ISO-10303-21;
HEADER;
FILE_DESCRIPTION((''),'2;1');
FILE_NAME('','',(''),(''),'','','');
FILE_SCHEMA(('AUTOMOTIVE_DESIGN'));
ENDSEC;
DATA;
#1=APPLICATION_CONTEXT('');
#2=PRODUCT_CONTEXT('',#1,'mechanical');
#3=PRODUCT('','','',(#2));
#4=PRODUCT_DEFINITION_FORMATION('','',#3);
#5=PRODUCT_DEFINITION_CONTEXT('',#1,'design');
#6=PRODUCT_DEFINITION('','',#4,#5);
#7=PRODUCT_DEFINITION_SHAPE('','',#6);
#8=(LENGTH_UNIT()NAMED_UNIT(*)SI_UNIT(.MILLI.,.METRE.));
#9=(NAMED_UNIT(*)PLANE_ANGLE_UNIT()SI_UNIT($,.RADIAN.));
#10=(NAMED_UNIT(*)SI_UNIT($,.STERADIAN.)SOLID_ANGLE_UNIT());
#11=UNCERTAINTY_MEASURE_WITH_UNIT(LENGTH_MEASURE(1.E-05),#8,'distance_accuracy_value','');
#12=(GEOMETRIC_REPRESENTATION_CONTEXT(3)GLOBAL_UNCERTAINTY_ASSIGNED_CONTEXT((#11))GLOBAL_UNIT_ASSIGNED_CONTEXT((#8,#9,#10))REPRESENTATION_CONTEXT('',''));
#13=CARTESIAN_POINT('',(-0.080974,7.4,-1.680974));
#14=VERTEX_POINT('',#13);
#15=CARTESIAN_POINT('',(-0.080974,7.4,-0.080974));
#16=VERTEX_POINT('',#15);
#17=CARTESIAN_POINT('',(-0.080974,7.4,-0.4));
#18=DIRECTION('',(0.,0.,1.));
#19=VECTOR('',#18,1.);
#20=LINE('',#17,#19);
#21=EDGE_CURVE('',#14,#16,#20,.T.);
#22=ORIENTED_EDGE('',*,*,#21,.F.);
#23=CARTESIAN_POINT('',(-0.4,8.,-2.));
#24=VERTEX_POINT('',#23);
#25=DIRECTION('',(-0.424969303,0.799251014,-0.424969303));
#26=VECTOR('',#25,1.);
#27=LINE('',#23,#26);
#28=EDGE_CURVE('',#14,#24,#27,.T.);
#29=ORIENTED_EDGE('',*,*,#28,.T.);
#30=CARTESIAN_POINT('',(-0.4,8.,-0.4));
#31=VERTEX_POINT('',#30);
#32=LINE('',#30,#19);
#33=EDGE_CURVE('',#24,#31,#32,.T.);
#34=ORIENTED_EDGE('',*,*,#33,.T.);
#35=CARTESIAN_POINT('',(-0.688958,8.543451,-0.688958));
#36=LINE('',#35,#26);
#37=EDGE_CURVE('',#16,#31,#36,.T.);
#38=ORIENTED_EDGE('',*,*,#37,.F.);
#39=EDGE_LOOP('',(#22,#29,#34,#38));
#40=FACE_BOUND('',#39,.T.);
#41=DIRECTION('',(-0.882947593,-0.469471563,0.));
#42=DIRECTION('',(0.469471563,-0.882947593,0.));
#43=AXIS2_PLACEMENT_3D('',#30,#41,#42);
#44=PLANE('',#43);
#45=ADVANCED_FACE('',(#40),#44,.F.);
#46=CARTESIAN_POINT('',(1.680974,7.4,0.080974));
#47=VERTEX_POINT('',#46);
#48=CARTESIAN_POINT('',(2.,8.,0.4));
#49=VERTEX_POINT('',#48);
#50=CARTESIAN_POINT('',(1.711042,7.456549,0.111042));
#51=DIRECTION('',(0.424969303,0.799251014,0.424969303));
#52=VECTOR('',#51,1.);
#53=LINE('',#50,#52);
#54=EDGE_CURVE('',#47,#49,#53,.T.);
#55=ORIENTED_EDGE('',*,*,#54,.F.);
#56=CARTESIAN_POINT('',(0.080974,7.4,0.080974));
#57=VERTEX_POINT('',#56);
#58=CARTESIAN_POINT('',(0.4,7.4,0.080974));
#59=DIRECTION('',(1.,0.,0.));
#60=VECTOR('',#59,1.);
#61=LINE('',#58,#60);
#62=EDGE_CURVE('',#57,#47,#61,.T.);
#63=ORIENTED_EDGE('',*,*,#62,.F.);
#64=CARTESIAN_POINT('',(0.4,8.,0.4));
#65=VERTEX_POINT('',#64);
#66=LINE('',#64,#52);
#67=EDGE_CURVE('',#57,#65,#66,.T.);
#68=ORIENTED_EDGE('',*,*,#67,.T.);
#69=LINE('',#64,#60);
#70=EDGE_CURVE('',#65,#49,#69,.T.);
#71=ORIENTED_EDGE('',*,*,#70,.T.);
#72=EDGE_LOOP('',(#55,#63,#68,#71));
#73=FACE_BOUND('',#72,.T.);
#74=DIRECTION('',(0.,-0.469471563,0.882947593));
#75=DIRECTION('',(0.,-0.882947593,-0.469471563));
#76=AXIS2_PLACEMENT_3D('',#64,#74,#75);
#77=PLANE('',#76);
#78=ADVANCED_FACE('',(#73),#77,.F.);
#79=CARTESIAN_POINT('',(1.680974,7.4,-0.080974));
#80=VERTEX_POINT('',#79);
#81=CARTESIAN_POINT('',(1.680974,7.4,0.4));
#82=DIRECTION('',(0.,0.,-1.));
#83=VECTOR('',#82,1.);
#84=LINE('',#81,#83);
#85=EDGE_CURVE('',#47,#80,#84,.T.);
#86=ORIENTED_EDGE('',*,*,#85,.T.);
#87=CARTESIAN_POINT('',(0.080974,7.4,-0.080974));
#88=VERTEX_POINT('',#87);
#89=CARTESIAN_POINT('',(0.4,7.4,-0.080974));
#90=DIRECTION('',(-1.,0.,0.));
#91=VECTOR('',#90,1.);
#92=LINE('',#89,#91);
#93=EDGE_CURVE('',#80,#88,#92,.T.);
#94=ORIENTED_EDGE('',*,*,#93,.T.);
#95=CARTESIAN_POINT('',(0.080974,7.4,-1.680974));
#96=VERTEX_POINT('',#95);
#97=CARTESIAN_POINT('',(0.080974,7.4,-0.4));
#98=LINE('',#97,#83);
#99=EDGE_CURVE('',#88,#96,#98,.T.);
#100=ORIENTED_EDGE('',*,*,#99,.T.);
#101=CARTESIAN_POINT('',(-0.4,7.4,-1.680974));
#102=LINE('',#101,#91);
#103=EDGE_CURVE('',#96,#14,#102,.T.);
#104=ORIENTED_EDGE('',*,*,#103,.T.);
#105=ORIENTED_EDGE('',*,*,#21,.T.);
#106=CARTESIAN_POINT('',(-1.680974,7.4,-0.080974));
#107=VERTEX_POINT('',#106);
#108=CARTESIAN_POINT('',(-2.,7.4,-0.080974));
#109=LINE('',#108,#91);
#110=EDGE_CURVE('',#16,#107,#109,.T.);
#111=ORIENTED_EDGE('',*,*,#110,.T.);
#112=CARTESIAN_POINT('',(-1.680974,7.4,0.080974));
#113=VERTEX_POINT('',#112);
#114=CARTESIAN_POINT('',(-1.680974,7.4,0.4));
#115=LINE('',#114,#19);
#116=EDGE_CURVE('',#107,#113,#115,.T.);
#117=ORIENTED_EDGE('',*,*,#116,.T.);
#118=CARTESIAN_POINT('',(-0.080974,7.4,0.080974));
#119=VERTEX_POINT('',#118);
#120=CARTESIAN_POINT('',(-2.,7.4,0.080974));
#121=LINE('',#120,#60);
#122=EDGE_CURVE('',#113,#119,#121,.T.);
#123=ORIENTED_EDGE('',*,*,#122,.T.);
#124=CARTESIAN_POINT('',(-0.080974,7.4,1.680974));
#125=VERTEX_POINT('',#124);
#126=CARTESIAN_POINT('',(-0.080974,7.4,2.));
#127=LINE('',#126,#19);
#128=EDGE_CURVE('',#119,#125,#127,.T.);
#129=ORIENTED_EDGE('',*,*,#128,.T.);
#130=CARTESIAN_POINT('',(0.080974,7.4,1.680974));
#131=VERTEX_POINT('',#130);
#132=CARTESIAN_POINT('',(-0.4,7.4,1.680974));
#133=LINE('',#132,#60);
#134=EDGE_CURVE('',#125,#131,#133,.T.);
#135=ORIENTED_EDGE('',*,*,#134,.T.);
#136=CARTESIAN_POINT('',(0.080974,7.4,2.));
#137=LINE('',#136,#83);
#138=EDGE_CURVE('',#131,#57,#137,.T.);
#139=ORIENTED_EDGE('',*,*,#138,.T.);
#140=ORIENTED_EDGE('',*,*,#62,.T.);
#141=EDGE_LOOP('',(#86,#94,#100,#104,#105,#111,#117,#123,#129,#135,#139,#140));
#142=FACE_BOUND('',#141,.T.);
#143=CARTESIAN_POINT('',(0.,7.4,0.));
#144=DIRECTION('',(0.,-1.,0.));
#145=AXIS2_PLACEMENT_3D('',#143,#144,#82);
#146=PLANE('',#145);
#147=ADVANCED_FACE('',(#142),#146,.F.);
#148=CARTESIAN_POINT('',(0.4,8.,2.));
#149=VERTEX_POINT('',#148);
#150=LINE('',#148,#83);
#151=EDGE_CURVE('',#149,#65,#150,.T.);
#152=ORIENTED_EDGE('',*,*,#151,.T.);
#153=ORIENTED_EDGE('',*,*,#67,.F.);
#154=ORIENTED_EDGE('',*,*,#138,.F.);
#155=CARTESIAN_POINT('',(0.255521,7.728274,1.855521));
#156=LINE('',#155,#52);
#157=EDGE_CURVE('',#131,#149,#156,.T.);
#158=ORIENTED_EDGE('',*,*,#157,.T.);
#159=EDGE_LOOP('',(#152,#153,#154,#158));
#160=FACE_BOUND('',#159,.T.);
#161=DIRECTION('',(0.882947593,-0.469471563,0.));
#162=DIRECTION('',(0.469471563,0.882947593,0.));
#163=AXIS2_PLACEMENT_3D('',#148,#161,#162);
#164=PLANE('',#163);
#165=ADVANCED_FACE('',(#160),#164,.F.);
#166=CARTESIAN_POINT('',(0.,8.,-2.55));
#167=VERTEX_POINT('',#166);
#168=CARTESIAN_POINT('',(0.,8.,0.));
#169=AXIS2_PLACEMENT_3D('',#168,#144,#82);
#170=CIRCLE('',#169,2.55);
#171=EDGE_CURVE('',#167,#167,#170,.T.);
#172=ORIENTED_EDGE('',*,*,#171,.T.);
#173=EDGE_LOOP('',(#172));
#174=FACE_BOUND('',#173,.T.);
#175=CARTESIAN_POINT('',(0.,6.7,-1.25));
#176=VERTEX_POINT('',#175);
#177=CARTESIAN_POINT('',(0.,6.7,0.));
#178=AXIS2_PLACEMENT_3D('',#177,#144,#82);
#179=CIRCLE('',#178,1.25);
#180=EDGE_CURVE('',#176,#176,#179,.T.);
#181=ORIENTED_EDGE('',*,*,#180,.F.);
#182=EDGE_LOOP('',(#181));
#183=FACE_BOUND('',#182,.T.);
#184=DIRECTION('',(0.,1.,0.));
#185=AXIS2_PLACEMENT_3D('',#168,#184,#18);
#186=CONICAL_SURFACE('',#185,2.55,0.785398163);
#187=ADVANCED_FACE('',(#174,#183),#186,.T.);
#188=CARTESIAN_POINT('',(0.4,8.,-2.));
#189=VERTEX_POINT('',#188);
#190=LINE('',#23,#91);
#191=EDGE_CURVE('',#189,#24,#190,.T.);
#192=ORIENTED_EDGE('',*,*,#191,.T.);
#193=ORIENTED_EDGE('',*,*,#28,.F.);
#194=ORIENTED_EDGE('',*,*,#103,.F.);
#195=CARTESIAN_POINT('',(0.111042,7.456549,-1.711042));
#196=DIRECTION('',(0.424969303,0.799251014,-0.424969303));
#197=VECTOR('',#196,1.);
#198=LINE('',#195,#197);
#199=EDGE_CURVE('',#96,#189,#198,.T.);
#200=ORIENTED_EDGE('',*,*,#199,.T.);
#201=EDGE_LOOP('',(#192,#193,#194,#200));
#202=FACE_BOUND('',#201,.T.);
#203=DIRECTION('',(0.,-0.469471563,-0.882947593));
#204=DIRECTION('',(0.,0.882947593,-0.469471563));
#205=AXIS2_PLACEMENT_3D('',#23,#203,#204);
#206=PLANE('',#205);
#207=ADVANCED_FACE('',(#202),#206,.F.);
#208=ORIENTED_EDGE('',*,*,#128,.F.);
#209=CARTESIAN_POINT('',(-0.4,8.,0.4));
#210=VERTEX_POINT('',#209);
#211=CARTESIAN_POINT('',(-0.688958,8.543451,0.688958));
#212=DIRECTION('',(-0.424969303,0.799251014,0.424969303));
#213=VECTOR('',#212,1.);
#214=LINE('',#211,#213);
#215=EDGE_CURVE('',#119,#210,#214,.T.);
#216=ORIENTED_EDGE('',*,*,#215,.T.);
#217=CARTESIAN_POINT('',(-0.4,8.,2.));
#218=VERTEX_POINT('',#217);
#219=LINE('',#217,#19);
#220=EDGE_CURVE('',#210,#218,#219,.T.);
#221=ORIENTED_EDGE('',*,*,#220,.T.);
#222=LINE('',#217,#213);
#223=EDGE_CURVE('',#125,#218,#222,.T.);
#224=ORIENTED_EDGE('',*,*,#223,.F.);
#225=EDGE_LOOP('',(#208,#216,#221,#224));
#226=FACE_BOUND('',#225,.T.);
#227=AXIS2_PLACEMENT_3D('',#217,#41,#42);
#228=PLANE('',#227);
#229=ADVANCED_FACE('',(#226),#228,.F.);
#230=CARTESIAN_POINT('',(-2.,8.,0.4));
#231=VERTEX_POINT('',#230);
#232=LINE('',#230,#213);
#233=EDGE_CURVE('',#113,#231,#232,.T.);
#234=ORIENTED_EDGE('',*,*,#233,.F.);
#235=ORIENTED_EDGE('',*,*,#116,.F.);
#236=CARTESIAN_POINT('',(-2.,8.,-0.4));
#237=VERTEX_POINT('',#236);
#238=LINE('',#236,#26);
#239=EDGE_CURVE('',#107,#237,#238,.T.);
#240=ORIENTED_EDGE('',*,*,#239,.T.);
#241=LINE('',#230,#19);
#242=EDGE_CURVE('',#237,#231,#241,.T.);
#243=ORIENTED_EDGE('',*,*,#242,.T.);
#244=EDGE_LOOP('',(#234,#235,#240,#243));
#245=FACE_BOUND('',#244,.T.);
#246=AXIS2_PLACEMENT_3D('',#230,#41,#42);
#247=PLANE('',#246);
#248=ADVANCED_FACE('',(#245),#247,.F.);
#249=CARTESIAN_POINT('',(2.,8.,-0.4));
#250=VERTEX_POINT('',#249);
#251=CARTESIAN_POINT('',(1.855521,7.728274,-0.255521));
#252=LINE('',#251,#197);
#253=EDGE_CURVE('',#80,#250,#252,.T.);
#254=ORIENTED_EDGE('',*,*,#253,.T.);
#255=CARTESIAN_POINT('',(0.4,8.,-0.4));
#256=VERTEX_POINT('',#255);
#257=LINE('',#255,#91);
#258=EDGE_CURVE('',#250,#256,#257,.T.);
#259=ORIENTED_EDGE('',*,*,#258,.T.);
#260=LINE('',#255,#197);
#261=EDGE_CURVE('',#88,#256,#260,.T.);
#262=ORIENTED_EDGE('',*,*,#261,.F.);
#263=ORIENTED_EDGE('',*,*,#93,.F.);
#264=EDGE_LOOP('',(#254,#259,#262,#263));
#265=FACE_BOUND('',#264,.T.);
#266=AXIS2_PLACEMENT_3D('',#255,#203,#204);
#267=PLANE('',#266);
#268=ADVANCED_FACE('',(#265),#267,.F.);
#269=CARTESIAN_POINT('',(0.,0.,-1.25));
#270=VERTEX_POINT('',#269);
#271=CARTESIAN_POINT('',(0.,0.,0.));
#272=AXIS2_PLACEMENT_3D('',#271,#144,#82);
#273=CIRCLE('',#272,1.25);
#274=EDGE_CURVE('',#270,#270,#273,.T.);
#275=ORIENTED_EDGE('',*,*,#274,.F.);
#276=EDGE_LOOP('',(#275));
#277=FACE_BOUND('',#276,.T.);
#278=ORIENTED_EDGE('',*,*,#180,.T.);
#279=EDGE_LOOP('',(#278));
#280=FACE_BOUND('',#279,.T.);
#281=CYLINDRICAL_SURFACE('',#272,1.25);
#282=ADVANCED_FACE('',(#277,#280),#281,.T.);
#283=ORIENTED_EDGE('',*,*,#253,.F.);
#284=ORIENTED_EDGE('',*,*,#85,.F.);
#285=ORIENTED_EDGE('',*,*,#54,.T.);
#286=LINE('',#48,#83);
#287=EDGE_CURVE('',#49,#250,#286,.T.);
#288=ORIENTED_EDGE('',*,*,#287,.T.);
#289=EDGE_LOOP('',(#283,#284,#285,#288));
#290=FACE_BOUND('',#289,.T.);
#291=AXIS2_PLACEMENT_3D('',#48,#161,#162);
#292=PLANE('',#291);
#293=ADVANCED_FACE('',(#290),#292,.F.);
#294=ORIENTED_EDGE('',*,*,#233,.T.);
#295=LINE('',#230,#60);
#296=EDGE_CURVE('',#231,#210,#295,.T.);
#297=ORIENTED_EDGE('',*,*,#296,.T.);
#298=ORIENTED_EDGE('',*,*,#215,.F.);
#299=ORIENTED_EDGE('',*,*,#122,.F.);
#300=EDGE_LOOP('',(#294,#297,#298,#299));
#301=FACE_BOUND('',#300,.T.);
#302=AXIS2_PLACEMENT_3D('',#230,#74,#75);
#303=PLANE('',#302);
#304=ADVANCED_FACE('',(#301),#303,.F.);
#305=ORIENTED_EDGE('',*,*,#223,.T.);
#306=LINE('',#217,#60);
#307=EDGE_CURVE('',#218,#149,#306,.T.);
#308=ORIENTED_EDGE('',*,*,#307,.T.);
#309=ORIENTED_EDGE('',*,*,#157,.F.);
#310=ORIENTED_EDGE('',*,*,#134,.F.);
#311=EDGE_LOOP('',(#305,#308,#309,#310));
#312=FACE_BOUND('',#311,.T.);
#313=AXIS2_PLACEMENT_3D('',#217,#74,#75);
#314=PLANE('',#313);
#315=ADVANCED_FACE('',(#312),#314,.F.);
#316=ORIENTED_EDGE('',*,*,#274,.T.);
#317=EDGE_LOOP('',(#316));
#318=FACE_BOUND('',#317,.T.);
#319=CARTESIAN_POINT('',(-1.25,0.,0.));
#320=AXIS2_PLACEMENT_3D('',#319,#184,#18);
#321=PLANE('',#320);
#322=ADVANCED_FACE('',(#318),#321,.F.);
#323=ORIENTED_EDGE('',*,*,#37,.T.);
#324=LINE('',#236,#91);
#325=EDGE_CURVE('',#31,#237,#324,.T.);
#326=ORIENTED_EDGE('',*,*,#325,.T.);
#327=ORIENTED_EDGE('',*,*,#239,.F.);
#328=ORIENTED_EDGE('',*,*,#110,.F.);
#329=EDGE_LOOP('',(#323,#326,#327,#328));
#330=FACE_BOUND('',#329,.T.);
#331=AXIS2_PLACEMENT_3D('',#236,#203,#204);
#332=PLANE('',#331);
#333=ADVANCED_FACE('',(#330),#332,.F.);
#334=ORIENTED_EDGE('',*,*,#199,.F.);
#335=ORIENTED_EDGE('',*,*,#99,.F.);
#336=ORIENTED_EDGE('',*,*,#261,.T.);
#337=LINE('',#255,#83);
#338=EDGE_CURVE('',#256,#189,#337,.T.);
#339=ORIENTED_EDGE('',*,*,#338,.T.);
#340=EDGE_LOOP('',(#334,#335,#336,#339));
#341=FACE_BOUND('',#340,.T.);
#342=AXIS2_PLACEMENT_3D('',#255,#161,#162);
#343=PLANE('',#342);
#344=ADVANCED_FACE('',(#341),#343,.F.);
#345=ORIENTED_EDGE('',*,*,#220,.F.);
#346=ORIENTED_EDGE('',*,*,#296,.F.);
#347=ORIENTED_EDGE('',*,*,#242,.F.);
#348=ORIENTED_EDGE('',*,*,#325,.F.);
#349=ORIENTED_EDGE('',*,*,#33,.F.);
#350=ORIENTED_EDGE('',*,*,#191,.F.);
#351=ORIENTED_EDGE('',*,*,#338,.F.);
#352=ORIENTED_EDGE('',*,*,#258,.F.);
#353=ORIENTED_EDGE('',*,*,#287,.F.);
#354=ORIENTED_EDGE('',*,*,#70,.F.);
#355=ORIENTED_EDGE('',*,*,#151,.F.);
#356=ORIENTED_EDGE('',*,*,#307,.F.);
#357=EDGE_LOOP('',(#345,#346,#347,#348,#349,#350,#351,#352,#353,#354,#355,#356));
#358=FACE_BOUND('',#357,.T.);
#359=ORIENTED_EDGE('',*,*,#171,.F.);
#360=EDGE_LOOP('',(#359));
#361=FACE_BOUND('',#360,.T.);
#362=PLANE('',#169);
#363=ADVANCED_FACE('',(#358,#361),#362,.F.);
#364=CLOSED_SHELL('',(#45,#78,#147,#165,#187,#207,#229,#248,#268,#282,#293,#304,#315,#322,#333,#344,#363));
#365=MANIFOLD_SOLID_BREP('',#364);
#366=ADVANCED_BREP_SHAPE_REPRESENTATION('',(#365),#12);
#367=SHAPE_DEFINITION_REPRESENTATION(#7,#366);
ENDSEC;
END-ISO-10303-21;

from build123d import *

# Parameters (mm, degrees)
CUT_EXTRUDE_1_DEPTH = 0.6
CUT_EXTRUDE_1_DRAFT = -28


with BuildPart() as part:
    # Эскиз1 → Повернуть1 (revolve)
    with BuildSketch(Plane.XY, mode=Mode.PRIVATE) as revolve_1_sk:
        Polygon((0, 8), (-2.55, 8), (-1.25, 6.7), (-1.25, 0), (0, 0), align=None)
    revolve(revolve_1_sk.sketch.rotate(Axis((0, 0, 0), (0, 1, 0)), 270), axis=Axis((0, 0, 0), (0, 1, 0)))


with BuildPart() as cut_extrude_1_tool:
    # Эскиз2 → Вырез-Вытянуть1 (with draft: the straight prism first)
    with BuildSketch(Plane(origin=(0, 8, 0), x_dir=(1, 0, 0), z_dir=(0, 1, 0))):
        Polygon((0.4, 0.4), (0.4, 2), (-0.4, 2), (-0.4, 0.4), (-2, 0.4), (-2, -0.4), (-0.4, -0.4), (-0.4, -2), (0.4, -2), (0.4, -0.4), (2, -0.4), (2, 0.4), align=None)
    extrude(amount=-CUT_EXTRUDE_1_DEPTH)
    # Вырез-Вытянуть1: the draft: its side faces are tilted about the plane it starts from
    cut_extrude_1_sides = [cut_extrude_1_tool.faces().sort_by_distance(p)[0] for p in [
        (0.4, 7.7, -1.2),
        (0, 7.7, -2),
        (-0.4, 7.7, -1.2),
        (-1.2, 7.7, -0.4),
        (-2, 7.7, 0),
        (-1.2, 7.7, 0.4),
        (-0.4, 7.7, 1.2),
        (0, 7.7, 2),
        (0.4, 7.7, 1.2),
        (1.2, 7.7, 0.4),
        (2, 7.7, 0),
        (1.2, 7.7, -0.4),
    ]]
    draft(cut_extrude_1_sides, Plane(origin=(0, 8, 0), x_dir=(1, 0, 0), z_dir=(0, 1, 0)), CUT_EXTRUDE_1_DRAFT)


with BuildPart() as part_1:
    add(part.part)

    # Вырез-Вытянуть1: cut by cut_extrude_1_tool
    add(cut_extrude_1_tool.part, mode=Mode.SUBTRACT)


solid = part_1.part
